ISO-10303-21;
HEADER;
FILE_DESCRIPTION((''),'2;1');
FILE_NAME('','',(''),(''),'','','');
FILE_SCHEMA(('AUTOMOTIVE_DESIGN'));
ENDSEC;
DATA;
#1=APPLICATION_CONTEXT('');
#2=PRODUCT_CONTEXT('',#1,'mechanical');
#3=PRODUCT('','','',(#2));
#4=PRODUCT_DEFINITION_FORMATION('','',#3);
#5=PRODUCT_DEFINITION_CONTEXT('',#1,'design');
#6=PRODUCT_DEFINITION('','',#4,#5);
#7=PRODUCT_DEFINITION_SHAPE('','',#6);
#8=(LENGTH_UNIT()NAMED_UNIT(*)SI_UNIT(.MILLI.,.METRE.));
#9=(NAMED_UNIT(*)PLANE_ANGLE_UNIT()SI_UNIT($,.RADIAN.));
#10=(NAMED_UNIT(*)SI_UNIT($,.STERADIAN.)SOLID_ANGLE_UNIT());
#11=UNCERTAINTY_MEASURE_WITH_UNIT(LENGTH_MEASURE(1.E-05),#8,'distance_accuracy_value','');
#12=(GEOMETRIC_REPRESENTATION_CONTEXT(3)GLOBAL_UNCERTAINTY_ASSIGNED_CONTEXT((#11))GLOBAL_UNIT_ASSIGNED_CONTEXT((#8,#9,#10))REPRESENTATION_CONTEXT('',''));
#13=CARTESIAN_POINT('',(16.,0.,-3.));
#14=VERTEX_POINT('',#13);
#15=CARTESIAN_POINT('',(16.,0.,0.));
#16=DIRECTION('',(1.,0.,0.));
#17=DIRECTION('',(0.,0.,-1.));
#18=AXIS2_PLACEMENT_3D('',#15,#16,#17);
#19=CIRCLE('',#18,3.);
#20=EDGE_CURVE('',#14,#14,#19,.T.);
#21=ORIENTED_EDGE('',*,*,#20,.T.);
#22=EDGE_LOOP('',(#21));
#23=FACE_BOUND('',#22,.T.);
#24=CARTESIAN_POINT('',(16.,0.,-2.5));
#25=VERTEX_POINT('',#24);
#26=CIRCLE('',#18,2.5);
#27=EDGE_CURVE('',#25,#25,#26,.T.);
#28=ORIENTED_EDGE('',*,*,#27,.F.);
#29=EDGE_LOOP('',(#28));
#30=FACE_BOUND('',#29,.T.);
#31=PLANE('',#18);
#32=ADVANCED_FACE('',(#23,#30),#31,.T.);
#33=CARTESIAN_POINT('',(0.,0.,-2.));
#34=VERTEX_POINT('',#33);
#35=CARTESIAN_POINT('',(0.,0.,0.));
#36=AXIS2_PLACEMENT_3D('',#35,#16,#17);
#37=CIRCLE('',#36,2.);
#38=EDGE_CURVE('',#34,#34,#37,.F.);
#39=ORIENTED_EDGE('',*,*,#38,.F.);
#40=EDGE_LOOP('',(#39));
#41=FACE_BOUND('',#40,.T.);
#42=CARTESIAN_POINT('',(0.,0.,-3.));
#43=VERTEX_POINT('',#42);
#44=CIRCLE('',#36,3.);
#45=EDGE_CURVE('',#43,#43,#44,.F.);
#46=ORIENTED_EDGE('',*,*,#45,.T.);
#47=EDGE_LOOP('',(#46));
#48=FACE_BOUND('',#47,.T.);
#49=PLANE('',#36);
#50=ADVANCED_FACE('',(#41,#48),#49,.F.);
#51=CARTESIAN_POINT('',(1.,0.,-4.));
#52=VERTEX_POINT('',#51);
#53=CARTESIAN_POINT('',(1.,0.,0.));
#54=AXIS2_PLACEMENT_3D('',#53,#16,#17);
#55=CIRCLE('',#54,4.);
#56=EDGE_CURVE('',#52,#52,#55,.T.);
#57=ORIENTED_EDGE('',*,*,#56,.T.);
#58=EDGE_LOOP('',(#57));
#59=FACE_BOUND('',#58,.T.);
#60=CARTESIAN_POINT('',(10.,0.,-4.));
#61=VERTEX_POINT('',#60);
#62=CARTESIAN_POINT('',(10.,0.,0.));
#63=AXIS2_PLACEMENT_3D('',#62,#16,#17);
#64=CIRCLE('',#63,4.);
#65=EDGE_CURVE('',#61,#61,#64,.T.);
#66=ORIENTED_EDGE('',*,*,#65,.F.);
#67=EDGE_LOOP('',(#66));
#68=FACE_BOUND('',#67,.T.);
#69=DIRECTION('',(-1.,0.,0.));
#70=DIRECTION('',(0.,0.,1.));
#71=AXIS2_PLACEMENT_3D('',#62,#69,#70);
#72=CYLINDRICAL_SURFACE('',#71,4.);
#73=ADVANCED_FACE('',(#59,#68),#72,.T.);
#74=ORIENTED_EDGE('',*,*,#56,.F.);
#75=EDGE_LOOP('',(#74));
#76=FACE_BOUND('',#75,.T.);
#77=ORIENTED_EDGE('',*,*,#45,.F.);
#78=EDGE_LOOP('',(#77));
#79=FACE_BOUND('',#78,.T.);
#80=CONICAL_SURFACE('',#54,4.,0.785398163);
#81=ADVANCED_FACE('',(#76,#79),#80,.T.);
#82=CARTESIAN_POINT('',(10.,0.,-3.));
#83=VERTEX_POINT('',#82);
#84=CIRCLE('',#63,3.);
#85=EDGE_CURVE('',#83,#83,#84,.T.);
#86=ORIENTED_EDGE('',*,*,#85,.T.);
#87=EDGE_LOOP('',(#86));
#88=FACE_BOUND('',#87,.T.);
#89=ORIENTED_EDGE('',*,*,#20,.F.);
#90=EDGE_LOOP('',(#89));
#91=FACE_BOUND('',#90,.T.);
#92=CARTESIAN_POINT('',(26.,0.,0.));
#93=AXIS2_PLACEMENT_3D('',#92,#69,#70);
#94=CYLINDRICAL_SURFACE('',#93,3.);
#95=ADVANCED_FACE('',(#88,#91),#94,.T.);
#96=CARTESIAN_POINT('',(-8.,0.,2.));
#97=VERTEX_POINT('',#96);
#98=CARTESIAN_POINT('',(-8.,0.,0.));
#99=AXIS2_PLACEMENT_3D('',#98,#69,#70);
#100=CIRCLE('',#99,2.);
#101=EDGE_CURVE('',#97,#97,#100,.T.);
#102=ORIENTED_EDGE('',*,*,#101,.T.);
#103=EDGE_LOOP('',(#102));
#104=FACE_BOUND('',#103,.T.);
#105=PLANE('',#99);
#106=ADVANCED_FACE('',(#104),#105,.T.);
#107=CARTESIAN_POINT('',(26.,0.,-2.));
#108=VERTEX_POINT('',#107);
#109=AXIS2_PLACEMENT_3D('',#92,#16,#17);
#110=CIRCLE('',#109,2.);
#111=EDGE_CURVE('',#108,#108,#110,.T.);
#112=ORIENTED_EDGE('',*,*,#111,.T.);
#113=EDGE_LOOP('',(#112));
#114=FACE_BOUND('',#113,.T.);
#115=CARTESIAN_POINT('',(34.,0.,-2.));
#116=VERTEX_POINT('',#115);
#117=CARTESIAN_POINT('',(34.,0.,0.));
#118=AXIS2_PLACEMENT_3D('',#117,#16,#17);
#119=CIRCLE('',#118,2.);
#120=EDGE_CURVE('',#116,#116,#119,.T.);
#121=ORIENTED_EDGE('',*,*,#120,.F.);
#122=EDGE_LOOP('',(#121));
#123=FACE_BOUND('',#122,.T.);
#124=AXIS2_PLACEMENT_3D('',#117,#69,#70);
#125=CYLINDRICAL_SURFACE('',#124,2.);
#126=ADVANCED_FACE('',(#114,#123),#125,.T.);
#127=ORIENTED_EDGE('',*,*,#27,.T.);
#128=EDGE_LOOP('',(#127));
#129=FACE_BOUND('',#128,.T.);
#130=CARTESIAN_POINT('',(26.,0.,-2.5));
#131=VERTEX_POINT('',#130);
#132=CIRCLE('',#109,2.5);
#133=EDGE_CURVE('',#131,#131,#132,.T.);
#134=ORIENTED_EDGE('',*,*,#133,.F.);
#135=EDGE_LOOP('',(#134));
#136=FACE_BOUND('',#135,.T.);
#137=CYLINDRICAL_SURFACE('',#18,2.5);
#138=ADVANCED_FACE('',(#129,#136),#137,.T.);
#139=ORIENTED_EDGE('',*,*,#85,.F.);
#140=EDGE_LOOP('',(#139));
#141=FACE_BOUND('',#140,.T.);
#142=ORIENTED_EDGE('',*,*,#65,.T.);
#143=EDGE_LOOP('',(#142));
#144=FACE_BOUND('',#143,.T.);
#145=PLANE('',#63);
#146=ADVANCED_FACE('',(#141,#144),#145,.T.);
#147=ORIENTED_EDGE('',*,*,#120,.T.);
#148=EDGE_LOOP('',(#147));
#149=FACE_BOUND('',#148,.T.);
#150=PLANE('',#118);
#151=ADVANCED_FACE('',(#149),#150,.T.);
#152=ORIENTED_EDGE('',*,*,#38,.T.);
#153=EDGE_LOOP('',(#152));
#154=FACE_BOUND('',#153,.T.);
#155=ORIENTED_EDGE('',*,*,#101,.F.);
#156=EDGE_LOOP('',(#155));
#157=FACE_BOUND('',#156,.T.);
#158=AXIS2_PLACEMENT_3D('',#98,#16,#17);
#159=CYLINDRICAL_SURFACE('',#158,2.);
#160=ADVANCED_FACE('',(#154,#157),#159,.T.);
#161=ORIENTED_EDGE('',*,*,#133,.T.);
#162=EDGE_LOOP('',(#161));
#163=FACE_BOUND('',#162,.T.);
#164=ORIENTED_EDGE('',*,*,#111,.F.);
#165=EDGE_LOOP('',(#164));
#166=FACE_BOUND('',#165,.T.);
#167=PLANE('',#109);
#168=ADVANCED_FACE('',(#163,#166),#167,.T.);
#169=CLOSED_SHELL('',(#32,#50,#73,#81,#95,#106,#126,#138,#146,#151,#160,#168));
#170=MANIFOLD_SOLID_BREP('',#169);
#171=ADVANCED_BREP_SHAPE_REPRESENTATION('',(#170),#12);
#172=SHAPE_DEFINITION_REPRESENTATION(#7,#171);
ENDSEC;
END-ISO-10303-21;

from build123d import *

# Parameters (mm, degrees)
SKETCH_1_R          = 4
EXTRUDE_1_DEPTH     = 10
SKETCH_2_R          = 2
EXTRUDE_2_DEPTH     = 8
SKETCH_3_R          = 3
EXTRUDE_3_DEPTH     = 16
EXTRUDE_START       = 8
SKETCH_4_R          = 2
EXTRUDE_4_DEPTH     = 8
CHAMFER_1_SIZE      = 1
CUT_EXTRUDE_START   = -10
SKETCH_5_R          = 3
SKETCH_5_R_2        = 2.5
CUT_EXTRUDE_1_DEPTH = 10


with BuildPart() as part:
    # 草图1 → 凸台-拉伸1 (new body)
    with BuildSketch(Plane(origin=(0, 0, 0), x_dir=(0, 0, -1), z_dir=(1, 0, 0))):
        Circle(SKETCH_1_R)
    extrude(amount=EXTRUDE_1_DEPTH)

    # 草图2 → 凸台-拉伸2 (add)
    with BuildSketch(Plane.ZY):
        with Locations(Location((0, 0, 0), (0, 0, 180))):
            Circle(SKETCH_2_R)
    extrude(amount=EXTRUDE_2_DEPTH)

    # 草图3 → 凸台-拉伸3 (add)
    with BuildSketch(Plane(origin=(10, 0, 0), x_dir=(0, 0, -1), z_dir=(1, 0, 0))):
        Circle(SKETCH_3_R)
    extrude(amount=EXTRUDE_3_DEPTH)

    # 草图4 → 凸台-拉伸4 (add)
    with BuildSketch(Plane(origin=(26, 0, 0), x_dir=(0, 0, -1), z_dir=(1, 0, 0)).offset(EXTRUDE_START)):
        Circle(SKETCH_4_R)
    extrude(amount=-EXTRUDE_4_DEPTH)

    # 倒角1
    chamfer_1_edges = [part.edges().sort_by_distance(p)[0] for p in [
        (0, 0, 4),
    ]]
    chamfer(chamfer_1_edges, length=CHAMFER_1_SIZE)

    # 草图5 → 切除-拉伸1 (cut)
    with BuildSketch(Plane(origin=(26, 0, 0), x_dir=(0, 0, -1), z_dir=(1, 0, 0)).offset(CUT_EXTRUDE_START)):
        Circle(SKETCH_5_R)
        Circle(SKETCH_5_R_2, mode=Mode.SUBTRACT)
    extrude(amount=CUT_EXTRUDE_1_DEPTH, mode=Mode.SUBTRACT)


solid = part.part
